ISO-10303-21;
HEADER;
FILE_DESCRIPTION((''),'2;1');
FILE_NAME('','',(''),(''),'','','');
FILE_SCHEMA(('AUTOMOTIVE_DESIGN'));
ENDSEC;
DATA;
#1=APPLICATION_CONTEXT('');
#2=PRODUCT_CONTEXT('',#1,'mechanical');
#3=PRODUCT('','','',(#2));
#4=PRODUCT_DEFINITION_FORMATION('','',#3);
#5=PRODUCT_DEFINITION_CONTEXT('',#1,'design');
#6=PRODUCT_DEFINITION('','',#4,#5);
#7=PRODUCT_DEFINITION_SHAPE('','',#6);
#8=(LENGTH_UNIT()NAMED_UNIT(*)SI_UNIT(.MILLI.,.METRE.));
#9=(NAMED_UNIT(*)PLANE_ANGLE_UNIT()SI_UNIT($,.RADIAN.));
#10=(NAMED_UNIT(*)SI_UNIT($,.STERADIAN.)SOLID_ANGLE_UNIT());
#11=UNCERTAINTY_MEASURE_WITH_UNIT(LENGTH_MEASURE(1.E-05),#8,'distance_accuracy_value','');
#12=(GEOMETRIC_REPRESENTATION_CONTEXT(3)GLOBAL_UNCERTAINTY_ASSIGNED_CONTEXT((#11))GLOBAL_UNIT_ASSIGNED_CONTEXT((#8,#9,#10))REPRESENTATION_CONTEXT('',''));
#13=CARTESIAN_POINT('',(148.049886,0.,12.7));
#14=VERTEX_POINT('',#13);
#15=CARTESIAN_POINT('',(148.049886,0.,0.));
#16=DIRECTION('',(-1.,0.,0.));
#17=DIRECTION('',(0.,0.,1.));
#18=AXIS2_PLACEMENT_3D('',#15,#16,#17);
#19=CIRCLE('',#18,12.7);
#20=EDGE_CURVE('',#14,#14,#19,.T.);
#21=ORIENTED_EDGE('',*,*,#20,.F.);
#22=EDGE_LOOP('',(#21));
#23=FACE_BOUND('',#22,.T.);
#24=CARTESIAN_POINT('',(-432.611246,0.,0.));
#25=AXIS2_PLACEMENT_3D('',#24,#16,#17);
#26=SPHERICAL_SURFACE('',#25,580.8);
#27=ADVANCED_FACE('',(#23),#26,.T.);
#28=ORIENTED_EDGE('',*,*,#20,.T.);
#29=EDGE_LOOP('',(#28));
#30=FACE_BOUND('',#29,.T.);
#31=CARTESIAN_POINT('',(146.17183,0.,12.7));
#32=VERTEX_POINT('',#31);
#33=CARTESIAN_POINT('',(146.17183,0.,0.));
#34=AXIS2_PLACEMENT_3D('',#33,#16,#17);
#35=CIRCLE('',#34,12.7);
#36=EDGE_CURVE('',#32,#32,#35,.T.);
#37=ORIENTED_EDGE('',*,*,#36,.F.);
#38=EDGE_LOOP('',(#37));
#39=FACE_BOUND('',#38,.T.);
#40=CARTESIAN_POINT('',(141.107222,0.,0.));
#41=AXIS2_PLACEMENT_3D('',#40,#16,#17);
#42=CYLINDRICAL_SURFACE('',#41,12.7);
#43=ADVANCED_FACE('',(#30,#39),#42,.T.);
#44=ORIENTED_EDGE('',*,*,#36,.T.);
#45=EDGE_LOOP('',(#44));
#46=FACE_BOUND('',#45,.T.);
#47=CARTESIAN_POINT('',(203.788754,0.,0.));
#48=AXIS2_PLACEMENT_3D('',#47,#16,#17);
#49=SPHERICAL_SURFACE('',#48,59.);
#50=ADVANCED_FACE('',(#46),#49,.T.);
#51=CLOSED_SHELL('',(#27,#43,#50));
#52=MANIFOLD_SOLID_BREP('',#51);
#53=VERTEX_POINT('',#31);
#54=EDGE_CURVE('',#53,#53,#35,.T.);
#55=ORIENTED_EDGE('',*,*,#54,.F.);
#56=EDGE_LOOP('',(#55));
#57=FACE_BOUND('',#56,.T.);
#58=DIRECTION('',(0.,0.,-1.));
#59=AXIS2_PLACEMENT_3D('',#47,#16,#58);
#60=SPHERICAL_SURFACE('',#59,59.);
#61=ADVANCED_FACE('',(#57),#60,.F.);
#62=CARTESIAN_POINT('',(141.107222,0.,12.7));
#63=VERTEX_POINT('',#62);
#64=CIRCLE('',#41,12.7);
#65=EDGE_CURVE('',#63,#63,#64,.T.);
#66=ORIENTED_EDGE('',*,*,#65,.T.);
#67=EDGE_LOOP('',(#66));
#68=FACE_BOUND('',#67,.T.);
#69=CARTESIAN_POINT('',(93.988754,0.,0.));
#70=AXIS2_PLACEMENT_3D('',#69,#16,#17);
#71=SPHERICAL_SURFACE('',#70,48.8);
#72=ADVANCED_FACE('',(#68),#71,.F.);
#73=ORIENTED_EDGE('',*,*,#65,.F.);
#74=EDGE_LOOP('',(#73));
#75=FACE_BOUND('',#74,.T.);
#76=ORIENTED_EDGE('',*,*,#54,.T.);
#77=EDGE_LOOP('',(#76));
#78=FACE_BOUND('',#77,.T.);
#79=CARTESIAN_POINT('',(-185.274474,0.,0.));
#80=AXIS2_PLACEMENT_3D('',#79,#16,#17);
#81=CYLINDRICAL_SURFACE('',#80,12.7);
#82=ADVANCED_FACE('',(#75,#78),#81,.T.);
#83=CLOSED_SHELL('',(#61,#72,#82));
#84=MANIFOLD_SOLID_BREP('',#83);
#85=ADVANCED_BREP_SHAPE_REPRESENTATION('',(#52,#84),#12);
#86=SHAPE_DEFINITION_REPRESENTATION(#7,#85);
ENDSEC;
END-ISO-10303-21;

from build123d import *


with BuildPart() as part:
    # 草图1 one side → 旋转1 (revolve)
    with BuildSketch(Plane(origin=(0, 0, 0), x_dir=(1, 0, 0), z_dir=(0, 1, 0)), mode=Mode.PRIVATE) as revolve_1_sk:
        with BuildLine():
            Line((146.171829849, 12.7), (141.107222163, 12.7))
            ThreePointArc((141.107222163, 12.7), (142.366544932, 6.405418621), (142.788754446, 0))
            Line((142.788754446, 0), (144.788754446, 0))
            ThreePointArc((144.788754446, 0), (145.135542466, 6.387544473), (146.171829849, 12.7))
        make_face()
    revolve(revolve_1_sk.sketch.rotate(Axis((-185.274474051, 0, 0), (1, 0, 0)), 180), axis=Axis((-185.274474051, 0, 0), (1, 0, 0)))  # turned: the seam where the file's is


with BuildPart() as body_2:
    # 草图2 one side → 旋转3 (revolve)
    with BuildSketch(Plane(origin=(0, 0, 0), x_dir=(1, 0, 0), z_dir=(0, 1, 0)), mode=Mode.PRIVATE) as revolve_3_sk:
        with BuildLine():
            Line((148.049886261, 12.7), (146.171829849, 12.7))
            ThreePointArc((146.171829849, 12.7), (145.135542466, 6.387544473), (144.788754446, 0))
            Line((144.788754446, 0), (148.188754446, 0))
            ThreePointArc((148.188754446, 0), (148.154036362, 6.350379602), (148.049886261, 12.7))
        make_face()
    revolve(revolve_3_sk.sketch.rotate(Axis((141.107222163, 0, 0), (1, 0, 0)), 180), axis=Axis((141.107222163, 0, 0), (1, 0, 0)))  # turned: the seam where the file's is


solid = Compound([part.part, body_2.part])
